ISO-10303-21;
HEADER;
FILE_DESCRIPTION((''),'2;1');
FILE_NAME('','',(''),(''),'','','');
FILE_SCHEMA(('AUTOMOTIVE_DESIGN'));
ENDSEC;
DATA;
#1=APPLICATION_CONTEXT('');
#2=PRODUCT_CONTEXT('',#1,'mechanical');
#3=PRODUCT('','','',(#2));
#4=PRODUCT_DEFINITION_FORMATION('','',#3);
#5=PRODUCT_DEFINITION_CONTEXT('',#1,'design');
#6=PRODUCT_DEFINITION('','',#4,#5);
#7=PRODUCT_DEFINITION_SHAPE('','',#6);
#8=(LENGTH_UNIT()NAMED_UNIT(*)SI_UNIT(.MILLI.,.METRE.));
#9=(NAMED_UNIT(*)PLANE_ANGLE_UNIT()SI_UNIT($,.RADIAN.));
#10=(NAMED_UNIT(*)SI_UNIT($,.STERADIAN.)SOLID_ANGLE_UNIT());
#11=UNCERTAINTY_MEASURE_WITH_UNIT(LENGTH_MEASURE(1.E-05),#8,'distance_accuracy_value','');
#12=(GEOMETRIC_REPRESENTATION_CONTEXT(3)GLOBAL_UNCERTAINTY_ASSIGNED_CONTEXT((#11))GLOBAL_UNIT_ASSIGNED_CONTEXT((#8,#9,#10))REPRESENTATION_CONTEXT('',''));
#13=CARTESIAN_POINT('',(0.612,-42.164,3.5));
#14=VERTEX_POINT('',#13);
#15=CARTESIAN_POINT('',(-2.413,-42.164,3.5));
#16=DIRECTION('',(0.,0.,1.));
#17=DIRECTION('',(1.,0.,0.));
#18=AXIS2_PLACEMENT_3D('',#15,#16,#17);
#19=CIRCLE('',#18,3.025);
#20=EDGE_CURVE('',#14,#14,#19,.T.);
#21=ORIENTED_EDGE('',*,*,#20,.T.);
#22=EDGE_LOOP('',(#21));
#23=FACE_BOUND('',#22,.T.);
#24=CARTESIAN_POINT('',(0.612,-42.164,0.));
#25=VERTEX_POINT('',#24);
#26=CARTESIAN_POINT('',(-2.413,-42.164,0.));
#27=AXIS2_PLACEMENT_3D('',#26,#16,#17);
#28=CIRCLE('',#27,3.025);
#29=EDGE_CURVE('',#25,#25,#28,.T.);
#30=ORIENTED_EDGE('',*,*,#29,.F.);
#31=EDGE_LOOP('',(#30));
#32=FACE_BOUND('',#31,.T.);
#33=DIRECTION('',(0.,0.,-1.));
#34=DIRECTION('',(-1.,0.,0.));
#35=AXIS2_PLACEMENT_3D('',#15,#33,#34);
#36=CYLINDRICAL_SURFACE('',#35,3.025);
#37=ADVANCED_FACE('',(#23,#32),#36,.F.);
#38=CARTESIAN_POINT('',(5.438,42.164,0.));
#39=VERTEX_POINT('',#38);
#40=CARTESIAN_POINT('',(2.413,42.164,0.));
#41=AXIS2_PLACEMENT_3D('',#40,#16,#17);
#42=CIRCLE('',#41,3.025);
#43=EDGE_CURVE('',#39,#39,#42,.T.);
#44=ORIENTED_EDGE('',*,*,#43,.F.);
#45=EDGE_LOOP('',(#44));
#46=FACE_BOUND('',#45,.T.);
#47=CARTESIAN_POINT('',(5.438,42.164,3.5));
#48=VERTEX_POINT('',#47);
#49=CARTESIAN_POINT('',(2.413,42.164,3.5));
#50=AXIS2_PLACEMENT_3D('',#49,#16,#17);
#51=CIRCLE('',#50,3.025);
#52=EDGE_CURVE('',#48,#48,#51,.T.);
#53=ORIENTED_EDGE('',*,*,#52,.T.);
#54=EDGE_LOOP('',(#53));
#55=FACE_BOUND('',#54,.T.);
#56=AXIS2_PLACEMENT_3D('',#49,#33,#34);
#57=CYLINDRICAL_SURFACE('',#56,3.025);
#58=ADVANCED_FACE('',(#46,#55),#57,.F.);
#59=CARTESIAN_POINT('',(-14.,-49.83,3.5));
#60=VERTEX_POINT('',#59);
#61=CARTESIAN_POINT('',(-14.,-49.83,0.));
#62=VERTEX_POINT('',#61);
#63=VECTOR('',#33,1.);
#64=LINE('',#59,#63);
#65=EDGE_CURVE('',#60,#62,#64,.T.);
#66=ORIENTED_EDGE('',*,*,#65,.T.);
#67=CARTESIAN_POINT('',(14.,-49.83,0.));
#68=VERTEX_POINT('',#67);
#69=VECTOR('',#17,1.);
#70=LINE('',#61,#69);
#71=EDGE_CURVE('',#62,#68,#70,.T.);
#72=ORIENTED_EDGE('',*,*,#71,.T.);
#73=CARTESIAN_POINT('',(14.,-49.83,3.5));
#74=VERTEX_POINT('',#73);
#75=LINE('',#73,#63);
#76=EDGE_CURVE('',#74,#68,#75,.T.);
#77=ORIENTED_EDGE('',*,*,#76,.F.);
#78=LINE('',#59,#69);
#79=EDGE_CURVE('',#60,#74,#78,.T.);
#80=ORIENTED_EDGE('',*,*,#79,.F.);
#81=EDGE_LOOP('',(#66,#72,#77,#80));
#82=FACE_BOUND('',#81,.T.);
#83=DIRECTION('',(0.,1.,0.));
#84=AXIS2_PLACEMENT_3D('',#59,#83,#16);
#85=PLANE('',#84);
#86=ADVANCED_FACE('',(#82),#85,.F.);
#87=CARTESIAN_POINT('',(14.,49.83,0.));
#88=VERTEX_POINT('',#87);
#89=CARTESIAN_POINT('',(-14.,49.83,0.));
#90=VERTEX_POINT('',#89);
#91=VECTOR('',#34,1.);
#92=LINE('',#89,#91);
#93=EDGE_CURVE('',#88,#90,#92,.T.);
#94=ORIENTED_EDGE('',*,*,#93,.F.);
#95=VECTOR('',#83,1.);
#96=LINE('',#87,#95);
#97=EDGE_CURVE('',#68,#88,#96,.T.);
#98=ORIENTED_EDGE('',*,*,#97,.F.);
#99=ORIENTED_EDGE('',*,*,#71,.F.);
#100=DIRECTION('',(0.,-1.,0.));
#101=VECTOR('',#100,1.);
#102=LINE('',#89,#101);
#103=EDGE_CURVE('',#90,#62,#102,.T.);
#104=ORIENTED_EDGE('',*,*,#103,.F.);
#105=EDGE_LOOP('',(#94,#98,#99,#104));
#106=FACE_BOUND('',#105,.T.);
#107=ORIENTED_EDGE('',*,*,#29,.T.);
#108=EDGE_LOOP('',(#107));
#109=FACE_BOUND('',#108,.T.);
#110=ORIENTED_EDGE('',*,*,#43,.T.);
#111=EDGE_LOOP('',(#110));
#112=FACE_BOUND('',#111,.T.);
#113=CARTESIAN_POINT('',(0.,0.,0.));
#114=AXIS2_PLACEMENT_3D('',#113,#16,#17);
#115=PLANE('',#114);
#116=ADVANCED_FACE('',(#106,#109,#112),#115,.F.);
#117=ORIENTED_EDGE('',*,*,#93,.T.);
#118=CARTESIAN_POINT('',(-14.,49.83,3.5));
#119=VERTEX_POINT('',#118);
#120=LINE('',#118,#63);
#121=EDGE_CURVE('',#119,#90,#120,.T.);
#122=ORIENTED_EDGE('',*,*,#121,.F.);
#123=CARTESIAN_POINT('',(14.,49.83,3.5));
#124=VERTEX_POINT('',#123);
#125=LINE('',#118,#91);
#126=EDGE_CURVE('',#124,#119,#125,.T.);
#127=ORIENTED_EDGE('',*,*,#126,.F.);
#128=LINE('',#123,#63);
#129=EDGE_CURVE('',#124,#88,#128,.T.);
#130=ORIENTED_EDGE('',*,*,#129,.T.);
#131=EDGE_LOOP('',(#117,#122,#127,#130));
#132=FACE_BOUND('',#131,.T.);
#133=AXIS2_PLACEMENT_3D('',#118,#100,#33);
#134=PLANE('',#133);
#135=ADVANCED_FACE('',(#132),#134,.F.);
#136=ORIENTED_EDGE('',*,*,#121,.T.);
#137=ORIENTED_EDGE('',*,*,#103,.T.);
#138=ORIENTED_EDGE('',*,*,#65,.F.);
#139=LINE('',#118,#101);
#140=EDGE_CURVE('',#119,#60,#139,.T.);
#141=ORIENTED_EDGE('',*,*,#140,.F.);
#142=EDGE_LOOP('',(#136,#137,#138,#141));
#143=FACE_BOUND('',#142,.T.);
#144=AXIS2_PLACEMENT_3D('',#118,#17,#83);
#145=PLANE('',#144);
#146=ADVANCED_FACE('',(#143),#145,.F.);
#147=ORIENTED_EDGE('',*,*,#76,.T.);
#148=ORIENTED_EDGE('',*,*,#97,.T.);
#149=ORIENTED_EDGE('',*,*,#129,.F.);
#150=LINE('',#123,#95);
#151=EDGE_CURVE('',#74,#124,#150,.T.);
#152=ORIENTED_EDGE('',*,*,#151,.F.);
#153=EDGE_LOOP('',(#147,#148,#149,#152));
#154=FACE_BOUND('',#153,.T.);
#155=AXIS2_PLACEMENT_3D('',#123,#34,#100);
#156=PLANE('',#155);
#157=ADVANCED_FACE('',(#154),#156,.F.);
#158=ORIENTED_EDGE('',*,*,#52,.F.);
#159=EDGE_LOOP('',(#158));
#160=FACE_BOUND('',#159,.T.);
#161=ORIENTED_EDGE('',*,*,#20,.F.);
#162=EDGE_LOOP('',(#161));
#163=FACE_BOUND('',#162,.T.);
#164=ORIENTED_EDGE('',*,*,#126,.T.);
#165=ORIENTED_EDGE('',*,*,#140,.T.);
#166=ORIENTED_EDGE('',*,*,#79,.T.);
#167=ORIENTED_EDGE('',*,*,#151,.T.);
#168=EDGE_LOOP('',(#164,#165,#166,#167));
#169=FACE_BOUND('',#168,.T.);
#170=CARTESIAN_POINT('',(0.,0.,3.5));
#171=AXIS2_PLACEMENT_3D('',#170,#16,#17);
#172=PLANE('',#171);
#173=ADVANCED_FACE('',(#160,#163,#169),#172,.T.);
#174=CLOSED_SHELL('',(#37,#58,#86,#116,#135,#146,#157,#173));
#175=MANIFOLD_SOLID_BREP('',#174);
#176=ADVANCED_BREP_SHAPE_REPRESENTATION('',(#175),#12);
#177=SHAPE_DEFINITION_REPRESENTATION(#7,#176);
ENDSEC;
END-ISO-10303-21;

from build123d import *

# Parameters (mm, degrees)
SKETCH1_W           = 28
SKETCH1_H           = 99.66
SKETCH1_R           = 3.025
BOSS_EXTRUDE1_DEPTH = 3.5


with BuildPart() as part:
    # Sketch1 → Boss-Extrude1 (new body)
    with BuildSketch(Plane.XY):
        Rectangle(SKETCH1_W, SKETCH1_H)
        with Locations((-2.413, -42.164)):
            Circle(SKETCH1_R, mode=Mode.SUBTRACT)
        with Locations((2.413, 42.164)):
            Circle(SKETCH1_R, mode=Mode.SUBTRACT)
    extrude(amount=BOSS_EXTRUDE1_DEPTH)


solid = part.part
